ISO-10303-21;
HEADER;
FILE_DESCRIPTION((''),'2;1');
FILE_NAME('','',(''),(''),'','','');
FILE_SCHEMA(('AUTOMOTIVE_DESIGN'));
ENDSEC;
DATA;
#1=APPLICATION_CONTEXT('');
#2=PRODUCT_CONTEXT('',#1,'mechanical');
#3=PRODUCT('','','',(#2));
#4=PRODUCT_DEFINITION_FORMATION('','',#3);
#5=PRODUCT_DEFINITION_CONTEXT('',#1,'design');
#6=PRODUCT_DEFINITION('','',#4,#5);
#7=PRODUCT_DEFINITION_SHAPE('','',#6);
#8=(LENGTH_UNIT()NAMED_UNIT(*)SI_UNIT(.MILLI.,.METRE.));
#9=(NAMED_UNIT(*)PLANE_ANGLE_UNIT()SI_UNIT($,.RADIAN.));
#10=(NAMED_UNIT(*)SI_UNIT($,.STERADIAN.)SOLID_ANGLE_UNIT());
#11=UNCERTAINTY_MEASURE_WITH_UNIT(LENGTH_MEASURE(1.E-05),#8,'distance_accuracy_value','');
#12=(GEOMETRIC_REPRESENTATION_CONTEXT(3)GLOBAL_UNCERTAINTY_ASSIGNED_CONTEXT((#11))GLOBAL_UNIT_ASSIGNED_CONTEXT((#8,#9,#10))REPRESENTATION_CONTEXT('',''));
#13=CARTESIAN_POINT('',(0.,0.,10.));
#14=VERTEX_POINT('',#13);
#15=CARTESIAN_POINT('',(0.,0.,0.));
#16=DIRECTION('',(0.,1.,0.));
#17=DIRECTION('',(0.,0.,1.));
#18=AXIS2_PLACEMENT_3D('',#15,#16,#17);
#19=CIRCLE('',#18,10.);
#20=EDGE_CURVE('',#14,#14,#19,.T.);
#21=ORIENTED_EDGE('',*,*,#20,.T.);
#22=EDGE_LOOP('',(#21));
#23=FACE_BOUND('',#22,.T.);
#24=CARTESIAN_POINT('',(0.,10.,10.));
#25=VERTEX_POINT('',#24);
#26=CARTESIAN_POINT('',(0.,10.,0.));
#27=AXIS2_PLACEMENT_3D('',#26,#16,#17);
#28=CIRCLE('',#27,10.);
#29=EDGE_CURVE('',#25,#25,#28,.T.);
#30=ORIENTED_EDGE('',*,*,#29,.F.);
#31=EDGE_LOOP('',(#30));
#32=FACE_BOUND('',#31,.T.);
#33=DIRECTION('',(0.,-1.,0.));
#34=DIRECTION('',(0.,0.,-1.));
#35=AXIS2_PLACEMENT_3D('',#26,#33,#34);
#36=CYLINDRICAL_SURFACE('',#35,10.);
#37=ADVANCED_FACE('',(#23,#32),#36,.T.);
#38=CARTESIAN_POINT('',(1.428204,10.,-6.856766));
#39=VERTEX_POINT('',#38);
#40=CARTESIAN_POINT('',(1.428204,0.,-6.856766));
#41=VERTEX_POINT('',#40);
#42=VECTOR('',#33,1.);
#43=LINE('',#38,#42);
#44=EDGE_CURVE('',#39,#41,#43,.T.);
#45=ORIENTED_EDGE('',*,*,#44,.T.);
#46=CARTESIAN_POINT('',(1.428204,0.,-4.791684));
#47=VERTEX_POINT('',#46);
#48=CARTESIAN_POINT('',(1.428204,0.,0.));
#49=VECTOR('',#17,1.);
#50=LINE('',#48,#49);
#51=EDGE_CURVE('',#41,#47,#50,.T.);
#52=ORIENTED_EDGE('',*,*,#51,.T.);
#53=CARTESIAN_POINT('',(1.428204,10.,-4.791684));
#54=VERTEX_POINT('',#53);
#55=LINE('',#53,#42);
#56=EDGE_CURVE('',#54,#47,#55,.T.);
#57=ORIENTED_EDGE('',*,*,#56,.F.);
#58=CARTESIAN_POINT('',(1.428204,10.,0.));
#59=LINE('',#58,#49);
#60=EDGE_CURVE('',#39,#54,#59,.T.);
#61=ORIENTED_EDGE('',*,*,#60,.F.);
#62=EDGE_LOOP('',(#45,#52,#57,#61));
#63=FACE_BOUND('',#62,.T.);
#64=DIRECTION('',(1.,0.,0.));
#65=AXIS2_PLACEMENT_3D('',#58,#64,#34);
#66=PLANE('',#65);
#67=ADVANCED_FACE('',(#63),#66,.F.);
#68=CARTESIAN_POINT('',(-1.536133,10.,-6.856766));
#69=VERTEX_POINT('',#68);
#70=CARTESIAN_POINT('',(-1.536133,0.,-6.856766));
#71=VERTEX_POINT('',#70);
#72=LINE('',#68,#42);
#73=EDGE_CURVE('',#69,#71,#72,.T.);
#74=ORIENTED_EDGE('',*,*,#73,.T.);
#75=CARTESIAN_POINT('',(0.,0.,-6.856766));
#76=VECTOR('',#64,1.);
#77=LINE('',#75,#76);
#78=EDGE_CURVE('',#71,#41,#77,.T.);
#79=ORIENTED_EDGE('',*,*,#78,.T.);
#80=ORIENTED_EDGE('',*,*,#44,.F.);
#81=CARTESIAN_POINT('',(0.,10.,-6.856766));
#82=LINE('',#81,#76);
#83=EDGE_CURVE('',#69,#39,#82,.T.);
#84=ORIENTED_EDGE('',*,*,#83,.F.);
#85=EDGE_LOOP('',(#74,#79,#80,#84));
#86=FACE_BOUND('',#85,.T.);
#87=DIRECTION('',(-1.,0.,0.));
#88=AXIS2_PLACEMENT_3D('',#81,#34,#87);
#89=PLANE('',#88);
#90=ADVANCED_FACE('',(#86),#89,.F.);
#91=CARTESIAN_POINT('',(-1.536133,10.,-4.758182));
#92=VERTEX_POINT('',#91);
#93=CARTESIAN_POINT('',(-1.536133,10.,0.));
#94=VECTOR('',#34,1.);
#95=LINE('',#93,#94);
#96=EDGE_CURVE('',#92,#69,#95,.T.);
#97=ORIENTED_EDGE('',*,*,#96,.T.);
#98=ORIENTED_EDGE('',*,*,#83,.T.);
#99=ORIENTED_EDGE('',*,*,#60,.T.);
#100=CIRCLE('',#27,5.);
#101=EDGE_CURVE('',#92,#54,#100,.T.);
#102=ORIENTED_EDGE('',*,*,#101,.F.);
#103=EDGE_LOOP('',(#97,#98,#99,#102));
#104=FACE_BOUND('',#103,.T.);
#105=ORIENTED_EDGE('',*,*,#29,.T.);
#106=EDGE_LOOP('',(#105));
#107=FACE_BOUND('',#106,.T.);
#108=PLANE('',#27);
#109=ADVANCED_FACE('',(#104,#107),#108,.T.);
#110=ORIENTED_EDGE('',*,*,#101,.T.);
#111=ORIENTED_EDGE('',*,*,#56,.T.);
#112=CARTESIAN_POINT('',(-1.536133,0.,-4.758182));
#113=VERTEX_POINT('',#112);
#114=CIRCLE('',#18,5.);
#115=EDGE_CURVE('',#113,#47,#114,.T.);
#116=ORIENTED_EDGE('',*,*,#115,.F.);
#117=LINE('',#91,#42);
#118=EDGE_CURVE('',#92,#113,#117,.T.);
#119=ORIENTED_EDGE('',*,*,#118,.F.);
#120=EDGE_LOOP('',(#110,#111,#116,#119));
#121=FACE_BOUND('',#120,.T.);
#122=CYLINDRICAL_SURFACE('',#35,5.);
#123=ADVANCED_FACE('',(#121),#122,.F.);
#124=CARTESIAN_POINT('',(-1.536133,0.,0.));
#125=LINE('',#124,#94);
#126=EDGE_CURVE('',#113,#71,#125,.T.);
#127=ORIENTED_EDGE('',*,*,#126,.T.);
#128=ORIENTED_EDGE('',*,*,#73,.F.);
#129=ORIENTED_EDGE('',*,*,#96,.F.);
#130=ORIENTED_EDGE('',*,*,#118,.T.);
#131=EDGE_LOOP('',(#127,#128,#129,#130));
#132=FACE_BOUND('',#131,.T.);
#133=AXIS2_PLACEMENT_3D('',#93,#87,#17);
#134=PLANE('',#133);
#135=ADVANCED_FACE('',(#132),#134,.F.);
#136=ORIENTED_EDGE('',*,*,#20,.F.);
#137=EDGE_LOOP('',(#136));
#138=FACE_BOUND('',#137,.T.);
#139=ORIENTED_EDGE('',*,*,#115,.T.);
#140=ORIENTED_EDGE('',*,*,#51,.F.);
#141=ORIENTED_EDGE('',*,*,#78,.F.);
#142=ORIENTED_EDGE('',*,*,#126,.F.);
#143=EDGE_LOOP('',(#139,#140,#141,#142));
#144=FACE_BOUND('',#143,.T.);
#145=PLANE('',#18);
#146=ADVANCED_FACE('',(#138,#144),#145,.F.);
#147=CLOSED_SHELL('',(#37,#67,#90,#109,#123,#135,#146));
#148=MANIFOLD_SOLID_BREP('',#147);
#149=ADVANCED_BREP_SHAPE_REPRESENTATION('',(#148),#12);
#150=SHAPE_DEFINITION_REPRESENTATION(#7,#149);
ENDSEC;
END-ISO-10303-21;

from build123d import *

# Parameters (mm, degrees)
SKETCH_1_R      = 10
EXTRUDE_1_DEPTH = 10


with BuildPart() as part:
    # 스케치1 → 보스-돌출1 (new body)
    with BuildSketch(Plane(origin=(0, 0, 0), x_dir=(1, 0, 0), z_dir=(0, 1, 0))):
        with Locations(Location((0, 0, 0), (0, 0, 270))):
            Circle(SKETCH_1_R)
        with BuildLine():
            ThreePointArc((5, 0), (-2.942731468, -4.042317591), (-1.536132603, 4.758182071))
            Line((-1.536132603, 4.758182071), (-1.536132603, 6.856766437))
            Line((-1.536132603, 6.856766437), (1.428204445, 6.856766437))
            Line((1.428204445, 6.856766437), (1.428204445, 4.791683636))
            ThreePointArc((1.428204445, 4.791683636), (4.0088042, 2.98822504), (5, 0))
        make_face(mode=Mode.SUBTRACT)
    extrude(amount=EXTRUDE_1_DEPTH)


solid = part.part
